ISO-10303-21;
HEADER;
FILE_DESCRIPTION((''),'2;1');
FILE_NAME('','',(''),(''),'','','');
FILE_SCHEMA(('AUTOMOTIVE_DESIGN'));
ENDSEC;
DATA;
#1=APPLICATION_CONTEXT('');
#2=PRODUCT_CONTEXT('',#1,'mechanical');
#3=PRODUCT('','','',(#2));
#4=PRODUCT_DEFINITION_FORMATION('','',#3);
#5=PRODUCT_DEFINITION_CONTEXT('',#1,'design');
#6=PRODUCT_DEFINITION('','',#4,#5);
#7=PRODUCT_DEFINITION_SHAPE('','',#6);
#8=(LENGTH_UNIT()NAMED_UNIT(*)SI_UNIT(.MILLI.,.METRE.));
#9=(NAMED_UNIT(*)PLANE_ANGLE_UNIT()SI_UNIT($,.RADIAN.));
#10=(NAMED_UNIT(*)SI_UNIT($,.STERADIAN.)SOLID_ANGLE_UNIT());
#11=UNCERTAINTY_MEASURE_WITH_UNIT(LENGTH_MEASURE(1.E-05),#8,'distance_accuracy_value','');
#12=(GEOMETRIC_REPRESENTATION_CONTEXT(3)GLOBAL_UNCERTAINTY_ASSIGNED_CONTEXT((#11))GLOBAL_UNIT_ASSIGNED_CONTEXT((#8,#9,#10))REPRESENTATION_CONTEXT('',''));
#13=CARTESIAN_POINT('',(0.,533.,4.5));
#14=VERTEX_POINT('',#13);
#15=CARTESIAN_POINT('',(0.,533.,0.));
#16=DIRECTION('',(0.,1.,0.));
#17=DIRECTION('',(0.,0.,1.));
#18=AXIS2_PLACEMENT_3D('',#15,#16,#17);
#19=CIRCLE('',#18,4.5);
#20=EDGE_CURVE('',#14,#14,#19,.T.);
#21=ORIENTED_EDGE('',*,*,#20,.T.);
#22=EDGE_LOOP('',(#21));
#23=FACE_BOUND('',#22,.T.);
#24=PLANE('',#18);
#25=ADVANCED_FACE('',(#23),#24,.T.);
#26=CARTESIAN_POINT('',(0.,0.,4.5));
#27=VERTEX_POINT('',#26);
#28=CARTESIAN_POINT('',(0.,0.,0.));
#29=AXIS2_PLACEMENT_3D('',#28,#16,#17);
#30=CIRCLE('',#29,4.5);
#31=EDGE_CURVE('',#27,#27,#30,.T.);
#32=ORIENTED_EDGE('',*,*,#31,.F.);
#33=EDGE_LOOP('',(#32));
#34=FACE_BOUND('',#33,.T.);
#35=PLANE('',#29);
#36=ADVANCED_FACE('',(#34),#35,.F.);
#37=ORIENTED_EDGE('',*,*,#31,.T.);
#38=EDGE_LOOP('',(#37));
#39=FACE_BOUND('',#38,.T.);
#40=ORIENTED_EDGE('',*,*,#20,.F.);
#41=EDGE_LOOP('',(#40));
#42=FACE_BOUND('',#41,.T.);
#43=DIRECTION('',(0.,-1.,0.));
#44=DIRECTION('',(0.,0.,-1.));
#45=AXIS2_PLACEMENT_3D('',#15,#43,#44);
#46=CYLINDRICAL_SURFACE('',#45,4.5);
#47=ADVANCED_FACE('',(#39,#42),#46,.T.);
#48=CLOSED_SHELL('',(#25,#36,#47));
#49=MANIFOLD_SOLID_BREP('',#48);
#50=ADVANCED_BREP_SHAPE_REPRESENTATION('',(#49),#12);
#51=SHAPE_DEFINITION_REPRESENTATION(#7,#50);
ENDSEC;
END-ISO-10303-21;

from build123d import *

# Parameters (mm, degrees)
SKETCH1_R           = 4.5
BOSS_EXTRUDE1_DEPTH = 533


with BuildPart() as part:
    # Sketch1 → Boss-Extrude1 (new body)
    with BuildSketch(Plane(origin=(0, 0, 0), x_dir=(1, 0, 0), z_dir=(0, 1, 0))):
        Circle(SKETCH1_R)
    extrude(amount=BOSS_EXTRUDE1_DEPTH)


solid = part.part
